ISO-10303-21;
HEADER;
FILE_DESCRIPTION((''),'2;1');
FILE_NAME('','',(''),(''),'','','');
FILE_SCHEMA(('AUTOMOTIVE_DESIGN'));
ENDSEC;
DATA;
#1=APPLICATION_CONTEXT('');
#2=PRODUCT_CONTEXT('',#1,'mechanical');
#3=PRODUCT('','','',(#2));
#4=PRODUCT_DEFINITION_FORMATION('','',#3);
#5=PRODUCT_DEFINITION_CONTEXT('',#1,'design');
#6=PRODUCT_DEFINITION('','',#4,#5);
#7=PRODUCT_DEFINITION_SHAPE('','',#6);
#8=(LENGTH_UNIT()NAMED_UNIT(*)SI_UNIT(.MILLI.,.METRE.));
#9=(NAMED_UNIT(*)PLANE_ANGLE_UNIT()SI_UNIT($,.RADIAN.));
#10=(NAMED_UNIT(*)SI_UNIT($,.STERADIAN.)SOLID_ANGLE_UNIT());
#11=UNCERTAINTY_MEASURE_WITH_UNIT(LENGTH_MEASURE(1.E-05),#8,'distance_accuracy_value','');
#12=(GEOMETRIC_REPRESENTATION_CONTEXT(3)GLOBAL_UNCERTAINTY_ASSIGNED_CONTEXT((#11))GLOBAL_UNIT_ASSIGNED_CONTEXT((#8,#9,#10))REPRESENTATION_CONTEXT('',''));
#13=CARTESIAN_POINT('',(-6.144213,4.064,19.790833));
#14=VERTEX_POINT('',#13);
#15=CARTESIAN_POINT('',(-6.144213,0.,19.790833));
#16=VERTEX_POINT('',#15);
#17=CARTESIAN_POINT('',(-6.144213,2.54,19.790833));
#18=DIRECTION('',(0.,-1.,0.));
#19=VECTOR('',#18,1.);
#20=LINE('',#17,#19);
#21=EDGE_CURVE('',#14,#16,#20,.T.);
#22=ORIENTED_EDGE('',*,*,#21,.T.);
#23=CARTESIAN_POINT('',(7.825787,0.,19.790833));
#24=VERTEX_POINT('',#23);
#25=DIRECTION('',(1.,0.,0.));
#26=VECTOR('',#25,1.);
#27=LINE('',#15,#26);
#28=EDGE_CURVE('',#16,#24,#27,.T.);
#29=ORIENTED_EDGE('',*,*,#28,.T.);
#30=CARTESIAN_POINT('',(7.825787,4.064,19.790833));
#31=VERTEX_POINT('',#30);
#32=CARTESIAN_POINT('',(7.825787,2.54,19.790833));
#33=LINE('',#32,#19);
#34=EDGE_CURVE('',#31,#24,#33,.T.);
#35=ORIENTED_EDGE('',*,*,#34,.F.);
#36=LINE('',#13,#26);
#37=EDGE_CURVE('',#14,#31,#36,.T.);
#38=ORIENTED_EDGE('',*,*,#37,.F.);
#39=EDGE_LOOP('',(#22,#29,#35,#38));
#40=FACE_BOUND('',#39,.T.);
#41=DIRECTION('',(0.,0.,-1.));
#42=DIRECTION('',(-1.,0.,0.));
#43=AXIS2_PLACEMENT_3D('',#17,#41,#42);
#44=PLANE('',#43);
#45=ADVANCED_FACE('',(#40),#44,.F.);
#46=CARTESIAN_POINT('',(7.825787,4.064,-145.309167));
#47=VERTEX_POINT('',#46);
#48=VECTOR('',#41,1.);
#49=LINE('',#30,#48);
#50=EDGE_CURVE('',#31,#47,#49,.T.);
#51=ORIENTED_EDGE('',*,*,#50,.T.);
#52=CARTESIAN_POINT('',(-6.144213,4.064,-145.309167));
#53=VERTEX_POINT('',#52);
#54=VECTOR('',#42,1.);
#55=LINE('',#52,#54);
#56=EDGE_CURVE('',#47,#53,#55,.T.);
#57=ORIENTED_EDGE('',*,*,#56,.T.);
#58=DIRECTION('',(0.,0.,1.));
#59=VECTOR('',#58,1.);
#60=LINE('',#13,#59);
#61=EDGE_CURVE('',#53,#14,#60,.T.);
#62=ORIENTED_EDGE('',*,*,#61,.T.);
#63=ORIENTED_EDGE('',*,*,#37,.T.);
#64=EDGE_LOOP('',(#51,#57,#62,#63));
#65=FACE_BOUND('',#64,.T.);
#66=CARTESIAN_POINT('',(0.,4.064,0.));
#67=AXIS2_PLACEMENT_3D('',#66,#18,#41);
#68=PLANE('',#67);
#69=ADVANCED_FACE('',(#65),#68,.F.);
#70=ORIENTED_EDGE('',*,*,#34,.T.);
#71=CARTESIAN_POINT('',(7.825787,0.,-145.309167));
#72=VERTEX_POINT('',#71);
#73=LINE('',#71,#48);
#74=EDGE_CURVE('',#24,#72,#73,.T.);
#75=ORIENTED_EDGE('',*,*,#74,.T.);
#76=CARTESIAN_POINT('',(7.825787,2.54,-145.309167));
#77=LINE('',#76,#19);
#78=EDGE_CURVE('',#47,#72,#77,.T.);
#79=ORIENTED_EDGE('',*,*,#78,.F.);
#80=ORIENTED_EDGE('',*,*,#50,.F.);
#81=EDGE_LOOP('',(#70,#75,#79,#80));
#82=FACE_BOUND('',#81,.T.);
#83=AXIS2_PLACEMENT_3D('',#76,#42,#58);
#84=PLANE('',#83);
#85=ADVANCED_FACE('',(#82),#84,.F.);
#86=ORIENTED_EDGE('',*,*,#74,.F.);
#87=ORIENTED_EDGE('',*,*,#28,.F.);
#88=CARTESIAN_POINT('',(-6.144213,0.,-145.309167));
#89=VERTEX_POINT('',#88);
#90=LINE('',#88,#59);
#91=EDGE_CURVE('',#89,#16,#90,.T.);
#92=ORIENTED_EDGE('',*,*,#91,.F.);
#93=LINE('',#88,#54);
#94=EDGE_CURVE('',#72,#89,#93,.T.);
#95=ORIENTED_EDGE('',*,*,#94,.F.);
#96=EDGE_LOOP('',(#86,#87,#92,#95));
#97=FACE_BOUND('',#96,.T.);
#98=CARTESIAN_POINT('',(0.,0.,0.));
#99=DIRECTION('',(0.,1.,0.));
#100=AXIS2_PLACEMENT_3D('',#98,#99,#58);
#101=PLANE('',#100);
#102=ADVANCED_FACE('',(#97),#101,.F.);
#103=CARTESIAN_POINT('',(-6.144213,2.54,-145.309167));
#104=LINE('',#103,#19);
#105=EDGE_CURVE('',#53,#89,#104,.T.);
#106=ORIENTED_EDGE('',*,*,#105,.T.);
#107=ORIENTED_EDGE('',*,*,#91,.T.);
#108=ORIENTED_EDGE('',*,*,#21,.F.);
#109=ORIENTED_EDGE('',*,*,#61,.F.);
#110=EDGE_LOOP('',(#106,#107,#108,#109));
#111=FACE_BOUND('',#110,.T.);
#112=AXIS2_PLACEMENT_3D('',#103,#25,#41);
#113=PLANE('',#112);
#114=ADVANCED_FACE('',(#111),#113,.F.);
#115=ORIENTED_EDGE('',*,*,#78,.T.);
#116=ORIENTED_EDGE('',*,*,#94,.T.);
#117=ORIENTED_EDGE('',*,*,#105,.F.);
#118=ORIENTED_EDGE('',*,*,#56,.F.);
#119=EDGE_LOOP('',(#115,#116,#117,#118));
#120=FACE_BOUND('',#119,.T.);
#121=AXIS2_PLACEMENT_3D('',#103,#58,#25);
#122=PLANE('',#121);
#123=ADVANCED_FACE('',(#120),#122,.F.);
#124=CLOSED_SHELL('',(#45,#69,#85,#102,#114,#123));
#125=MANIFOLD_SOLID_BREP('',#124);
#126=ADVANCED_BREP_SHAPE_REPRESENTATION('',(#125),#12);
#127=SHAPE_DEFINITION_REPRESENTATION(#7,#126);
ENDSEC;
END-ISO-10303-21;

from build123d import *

# Parameters (mm, degrees)
SKETCH1_W           = 13.97
SKETCH1_H           = 165.1
BOSS_EXTRUDE1_DEPTH = 2.54
SKETCH2_W           = 13.97
SKETCH2_H           = 165.1
BOSS_EXTRUDE2_DEPTH = 1.524


with BuildPart() as part:
    # Sketch1 → Boss-Extrude1 (new body)
    with BuildSketch(Plane(origin=(0, 0, 0), x_dir=(1, 0, 0), z_dir=(0, 1, 0))):
        with Locations((0.840787037, 62.759166667)):
            Rectangle(SKETCH1_W, SKETCH1_H)
    extrude(amount=BOSS_EXTRUDE1_DEPTH)

    # Sketch2 → Boss-Extrude2 (add)
    with BuildSketch(Plane(origin=(0, 2.54, 0), x_dir=(1, 0, 0), z_dir=(0, 1, 0))):
        with Locations((0.840787037, 62.759166667)):
            Rectangle(SKETCH2_W, SKETCH2_H)
    extrude(amount=BOSS_EXTRUDE2_DEPTH)


solid = part.part
